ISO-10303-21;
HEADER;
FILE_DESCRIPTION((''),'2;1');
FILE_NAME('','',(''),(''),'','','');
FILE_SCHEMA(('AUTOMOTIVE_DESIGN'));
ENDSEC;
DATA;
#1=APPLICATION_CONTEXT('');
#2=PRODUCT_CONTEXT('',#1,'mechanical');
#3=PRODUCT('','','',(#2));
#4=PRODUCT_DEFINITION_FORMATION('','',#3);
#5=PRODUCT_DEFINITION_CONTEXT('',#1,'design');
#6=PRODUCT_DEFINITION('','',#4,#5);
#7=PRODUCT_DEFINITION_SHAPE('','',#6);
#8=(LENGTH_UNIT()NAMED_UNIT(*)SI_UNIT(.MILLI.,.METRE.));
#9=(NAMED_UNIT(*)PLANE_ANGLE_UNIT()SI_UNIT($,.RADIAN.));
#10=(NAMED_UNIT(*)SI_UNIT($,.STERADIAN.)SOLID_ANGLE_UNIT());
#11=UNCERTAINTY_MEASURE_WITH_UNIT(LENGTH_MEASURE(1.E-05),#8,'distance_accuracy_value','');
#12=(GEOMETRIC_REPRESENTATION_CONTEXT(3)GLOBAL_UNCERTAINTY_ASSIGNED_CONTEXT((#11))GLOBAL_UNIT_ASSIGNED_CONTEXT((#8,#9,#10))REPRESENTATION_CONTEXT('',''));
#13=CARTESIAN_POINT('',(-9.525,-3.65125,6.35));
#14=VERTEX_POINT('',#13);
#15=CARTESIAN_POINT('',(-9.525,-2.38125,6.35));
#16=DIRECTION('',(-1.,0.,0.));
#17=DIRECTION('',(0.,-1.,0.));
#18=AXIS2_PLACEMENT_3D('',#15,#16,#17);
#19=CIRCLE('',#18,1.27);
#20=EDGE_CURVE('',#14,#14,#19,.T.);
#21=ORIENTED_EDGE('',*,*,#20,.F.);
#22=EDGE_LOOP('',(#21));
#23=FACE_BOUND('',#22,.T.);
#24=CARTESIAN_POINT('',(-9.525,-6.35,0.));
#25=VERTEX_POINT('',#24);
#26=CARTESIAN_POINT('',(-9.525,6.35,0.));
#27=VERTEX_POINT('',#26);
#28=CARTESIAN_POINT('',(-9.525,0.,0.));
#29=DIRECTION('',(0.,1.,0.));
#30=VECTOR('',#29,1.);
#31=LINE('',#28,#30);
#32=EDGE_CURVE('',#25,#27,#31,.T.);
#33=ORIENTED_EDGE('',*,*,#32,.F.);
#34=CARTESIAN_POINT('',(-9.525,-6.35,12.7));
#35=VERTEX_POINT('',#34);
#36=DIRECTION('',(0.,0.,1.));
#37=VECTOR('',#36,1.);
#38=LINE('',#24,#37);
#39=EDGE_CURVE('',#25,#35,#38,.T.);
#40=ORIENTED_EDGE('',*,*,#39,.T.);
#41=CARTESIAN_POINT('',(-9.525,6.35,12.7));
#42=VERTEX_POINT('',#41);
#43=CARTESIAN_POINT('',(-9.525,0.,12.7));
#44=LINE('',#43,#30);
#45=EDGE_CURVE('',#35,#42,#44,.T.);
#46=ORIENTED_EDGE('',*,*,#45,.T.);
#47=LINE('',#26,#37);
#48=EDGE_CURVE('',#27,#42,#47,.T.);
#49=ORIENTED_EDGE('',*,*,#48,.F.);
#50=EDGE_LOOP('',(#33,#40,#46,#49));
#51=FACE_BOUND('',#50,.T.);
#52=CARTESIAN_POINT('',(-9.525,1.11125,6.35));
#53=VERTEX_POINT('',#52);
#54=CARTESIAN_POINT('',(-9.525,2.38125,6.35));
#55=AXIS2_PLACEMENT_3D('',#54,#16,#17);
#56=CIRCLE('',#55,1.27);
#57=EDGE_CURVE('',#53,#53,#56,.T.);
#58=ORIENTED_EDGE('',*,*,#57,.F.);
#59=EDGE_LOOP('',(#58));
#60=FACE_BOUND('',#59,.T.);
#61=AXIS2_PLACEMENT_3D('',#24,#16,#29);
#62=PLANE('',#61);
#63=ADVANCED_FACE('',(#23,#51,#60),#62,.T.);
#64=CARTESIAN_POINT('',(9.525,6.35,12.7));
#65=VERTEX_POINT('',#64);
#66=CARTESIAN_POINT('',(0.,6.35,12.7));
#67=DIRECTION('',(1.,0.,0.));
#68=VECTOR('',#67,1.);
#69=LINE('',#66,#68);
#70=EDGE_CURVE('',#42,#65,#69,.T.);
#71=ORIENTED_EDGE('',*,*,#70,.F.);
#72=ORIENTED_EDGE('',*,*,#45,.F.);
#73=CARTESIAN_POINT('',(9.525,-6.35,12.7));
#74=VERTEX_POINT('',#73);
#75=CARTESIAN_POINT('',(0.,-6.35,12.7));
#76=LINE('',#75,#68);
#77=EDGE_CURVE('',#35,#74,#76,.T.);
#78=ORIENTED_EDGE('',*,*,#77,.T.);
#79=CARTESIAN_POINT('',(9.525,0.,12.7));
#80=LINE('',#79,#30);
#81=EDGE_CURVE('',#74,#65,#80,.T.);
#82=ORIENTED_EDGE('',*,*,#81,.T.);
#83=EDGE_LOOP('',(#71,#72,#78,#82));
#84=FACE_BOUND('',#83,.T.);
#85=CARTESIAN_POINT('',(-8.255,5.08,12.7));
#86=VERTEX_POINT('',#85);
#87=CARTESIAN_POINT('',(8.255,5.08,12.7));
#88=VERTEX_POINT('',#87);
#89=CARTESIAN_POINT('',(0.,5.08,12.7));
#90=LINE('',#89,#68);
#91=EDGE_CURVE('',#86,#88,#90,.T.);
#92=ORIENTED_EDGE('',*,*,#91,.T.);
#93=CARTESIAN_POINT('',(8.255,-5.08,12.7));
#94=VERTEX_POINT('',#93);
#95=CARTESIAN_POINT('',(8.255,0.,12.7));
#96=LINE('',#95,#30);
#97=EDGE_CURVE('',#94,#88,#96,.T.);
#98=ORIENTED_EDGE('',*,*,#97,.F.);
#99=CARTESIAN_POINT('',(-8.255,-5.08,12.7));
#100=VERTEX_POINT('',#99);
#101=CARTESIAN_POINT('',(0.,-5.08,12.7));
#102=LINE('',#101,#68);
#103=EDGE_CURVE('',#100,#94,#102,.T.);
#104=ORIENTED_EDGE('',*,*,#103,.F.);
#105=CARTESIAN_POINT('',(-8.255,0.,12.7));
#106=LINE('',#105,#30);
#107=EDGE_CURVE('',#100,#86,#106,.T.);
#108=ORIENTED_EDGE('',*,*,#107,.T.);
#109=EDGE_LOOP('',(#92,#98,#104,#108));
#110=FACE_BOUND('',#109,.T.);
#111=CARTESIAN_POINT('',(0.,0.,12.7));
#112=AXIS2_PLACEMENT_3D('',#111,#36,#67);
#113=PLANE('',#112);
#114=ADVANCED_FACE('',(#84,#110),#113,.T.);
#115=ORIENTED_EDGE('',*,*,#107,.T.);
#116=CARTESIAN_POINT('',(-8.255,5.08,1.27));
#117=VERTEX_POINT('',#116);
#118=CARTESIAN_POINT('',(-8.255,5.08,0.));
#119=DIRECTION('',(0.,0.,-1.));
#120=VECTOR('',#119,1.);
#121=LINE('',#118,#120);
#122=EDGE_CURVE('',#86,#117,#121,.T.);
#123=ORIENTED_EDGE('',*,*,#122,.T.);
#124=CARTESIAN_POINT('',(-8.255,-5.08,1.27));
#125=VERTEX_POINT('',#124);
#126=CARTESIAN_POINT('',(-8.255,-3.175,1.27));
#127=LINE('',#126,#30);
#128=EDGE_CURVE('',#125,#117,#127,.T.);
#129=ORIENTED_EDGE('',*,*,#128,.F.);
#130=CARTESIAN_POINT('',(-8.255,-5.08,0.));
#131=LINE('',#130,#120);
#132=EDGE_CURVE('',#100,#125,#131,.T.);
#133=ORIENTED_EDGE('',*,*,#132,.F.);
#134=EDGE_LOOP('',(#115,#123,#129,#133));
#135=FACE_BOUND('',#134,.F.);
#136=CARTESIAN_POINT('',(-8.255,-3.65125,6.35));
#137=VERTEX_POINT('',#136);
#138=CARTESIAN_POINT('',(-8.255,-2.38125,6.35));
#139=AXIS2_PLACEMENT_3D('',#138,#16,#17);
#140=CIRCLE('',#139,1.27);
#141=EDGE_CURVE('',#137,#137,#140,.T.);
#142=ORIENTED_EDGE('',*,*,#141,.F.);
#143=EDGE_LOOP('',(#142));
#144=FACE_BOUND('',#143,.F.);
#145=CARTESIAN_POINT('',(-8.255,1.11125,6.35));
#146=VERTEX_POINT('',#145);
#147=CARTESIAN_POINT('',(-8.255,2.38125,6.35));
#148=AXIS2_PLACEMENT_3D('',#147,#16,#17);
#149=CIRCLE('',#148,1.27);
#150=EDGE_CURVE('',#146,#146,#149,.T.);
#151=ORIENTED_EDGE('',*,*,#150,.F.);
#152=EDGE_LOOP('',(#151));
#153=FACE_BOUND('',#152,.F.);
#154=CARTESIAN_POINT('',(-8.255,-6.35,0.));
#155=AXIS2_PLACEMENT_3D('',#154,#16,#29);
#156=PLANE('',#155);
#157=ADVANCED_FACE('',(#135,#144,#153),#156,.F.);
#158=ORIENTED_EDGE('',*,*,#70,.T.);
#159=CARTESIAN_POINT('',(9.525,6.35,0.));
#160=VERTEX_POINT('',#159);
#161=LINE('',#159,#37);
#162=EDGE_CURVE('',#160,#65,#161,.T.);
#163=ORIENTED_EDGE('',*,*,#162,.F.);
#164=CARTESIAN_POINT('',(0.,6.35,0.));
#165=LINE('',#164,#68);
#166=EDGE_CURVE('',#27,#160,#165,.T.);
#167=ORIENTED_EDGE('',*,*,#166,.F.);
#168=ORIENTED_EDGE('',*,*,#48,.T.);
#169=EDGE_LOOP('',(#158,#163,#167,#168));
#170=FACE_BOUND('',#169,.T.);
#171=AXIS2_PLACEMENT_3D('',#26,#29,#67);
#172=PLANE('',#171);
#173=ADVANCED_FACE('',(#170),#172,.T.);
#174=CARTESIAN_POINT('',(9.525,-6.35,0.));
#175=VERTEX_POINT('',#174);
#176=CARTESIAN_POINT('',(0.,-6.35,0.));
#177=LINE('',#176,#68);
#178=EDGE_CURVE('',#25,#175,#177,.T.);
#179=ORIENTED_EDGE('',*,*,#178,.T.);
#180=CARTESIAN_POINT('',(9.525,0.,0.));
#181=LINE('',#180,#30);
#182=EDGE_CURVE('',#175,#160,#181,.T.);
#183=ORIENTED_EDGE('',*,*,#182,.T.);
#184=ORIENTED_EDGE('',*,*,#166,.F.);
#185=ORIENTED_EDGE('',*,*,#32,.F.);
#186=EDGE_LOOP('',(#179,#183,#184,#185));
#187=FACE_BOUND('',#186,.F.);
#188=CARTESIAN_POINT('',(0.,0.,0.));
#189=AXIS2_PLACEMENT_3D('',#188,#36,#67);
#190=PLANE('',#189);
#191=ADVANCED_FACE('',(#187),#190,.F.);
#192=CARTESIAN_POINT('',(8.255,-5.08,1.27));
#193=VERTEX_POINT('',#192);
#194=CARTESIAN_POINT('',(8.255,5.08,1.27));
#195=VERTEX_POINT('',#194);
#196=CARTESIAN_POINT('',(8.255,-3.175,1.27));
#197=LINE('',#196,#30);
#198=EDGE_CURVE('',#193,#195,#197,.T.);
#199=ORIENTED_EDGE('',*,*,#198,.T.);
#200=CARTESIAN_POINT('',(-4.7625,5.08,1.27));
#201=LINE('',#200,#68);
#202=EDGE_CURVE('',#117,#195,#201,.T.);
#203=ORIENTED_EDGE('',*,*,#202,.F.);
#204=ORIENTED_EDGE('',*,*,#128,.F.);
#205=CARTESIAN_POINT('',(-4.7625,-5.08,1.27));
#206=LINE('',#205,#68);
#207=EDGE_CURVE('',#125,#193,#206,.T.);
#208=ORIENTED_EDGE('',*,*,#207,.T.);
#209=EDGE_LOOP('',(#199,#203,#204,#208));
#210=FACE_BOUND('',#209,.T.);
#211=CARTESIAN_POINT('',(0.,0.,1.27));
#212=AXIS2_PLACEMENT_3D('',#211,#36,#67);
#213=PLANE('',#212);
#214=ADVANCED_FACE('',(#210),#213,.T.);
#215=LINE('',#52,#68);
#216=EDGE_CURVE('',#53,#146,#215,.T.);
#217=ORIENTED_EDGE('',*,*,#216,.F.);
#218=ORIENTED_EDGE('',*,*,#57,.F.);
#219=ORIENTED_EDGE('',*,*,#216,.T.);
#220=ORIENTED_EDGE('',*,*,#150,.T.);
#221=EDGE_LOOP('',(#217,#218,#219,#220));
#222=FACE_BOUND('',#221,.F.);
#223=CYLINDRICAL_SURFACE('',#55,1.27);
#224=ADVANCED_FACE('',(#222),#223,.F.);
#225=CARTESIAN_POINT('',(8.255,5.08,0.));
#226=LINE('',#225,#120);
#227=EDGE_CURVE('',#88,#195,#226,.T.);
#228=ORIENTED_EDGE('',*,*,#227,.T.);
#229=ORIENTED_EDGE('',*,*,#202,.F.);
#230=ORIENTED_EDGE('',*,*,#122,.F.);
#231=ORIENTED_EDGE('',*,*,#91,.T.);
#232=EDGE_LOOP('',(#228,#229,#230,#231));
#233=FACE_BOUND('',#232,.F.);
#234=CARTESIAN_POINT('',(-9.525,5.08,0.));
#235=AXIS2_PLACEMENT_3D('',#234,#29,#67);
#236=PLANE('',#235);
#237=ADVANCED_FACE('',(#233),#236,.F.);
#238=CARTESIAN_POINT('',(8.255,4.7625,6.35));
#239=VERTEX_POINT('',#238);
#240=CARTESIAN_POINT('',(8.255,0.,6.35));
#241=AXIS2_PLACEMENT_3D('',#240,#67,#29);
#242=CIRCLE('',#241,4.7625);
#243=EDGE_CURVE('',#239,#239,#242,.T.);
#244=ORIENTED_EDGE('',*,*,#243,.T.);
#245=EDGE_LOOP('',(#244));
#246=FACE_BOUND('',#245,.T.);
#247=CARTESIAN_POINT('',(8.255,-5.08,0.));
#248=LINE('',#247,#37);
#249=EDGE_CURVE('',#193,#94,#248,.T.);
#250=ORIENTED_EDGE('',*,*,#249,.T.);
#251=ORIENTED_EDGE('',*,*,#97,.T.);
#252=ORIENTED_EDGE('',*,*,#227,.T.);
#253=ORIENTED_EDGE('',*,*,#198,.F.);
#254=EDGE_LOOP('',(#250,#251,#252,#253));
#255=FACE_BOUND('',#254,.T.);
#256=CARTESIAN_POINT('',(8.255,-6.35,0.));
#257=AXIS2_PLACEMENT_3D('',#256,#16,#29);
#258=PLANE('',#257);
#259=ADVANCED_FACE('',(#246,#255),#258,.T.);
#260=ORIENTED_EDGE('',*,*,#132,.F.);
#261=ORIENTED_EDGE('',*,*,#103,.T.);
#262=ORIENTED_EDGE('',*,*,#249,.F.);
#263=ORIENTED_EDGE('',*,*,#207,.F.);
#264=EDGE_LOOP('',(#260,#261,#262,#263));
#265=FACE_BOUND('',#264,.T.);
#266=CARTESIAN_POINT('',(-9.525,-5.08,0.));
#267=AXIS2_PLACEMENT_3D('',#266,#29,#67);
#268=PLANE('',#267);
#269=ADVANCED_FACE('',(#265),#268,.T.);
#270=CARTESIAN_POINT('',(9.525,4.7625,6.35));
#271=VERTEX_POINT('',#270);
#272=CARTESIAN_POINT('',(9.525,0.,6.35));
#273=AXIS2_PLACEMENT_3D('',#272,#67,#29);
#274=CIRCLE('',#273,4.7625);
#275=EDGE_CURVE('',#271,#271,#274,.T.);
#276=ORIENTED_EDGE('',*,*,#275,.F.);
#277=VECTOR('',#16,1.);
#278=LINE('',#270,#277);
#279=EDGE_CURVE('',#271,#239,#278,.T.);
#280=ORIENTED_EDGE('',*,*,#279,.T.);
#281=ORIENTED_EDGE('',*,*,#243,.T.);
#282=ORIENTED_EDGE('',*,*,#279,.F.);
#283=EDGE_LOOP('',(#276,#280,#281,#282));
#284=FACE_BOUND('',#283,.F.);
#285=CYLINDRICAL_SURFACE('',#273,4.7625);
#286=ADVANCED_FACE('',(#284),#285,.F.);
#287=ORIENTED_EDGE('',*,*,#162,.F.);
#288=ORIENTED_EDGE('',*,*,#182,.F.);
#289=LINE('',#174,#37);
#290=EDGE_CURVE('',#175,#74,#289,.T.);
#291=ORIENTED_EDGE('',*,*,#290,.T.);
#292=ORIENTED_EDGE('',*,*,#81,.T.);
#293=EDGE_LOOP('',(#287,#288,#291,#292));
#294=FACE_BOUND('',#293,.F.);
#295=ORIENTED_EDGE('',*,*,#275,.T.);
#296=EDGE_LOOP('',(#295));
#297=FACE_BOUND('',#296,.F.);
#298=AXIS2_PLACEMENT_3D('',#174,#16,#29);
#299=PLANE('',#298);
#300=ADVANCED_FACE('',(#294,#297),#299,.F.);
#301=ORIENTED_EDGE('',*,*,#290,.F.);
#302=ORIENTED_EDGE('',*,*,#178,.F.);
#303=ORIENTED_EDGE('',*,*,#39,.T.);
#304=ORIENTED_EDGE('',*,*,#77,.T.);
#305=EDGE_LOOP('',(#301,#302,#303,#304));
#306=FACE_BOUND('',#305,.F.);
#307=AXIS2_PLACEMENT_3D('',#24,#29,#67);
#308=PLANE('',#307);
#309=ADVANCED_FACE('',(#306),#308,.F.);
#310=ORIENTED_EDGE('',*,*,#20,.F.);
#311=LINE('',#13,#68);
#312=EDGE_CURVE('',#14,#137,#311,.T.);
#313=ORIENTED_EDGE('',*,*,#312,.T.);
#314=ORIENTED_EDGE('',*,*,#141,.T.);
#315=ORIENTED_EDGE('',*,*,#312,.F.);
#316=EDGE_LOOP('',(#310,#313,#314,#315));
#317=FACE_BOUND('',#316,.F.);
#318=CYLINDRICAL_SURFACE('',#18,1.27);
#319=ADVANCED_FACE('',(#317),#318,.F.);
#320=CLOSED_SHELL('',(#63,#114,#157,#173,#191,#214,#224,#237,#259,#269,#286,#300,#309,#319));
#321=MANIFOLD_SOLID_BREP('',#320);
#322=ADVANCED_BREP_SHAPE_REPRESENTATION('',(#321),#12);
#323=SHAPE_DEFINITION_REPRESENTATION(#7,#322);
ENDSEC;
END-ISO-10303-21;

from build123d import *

# Parameters (mm, degrees)
F0_W     = 19.05
F0_H     = 12.7
F1_DEPTH = 12.7
F2_T     = -1.27
F3_R     = 4.7625
F4_DEPTH = 1.27
F5_R     = 1.27
F6_DEPTH = 1.27


with BuildPart() as f1:
    # F0 (on Top) → F1 (new body)
    with BuildSketch(Plane.XY):
        Rectangle(F0_W, F0_H)
    extrude(amount=F1_DEPTH)

    # F2
    f2_openings = [f1.faces().sort_by_distance(p)[0] for p in [
        (0, 0, 12.7),
    ]]
    offset(amount=F2_T, openings=f2_openings)

    # F3 (on face) → F4 (cut, through all)
    with BuildSketch(Plane.YZ.offset(9.525)):
        with Locations((0, 6.35)):
            Circle(F3_R)
    extrude(amount=-F4_DEPTH, mode=Mode.SUBTRACT)

    # F5 (on face) → F6 (cut, through all)
    with BuildSketch(Plane(origin=(-9.525, 0, 0), x_dir=(0, -1, 0), z_dir=(-1, 0, 0))):
        with Locations((-2.38125, 6.35)):
            Circle(F5_R)
        with Locations((2.38125, 6.35)):
            Circle(F5_R)
    extrude(amount=-F6_DEPTH, mode=Mode.SUBTRACT)


solid = f1.part
